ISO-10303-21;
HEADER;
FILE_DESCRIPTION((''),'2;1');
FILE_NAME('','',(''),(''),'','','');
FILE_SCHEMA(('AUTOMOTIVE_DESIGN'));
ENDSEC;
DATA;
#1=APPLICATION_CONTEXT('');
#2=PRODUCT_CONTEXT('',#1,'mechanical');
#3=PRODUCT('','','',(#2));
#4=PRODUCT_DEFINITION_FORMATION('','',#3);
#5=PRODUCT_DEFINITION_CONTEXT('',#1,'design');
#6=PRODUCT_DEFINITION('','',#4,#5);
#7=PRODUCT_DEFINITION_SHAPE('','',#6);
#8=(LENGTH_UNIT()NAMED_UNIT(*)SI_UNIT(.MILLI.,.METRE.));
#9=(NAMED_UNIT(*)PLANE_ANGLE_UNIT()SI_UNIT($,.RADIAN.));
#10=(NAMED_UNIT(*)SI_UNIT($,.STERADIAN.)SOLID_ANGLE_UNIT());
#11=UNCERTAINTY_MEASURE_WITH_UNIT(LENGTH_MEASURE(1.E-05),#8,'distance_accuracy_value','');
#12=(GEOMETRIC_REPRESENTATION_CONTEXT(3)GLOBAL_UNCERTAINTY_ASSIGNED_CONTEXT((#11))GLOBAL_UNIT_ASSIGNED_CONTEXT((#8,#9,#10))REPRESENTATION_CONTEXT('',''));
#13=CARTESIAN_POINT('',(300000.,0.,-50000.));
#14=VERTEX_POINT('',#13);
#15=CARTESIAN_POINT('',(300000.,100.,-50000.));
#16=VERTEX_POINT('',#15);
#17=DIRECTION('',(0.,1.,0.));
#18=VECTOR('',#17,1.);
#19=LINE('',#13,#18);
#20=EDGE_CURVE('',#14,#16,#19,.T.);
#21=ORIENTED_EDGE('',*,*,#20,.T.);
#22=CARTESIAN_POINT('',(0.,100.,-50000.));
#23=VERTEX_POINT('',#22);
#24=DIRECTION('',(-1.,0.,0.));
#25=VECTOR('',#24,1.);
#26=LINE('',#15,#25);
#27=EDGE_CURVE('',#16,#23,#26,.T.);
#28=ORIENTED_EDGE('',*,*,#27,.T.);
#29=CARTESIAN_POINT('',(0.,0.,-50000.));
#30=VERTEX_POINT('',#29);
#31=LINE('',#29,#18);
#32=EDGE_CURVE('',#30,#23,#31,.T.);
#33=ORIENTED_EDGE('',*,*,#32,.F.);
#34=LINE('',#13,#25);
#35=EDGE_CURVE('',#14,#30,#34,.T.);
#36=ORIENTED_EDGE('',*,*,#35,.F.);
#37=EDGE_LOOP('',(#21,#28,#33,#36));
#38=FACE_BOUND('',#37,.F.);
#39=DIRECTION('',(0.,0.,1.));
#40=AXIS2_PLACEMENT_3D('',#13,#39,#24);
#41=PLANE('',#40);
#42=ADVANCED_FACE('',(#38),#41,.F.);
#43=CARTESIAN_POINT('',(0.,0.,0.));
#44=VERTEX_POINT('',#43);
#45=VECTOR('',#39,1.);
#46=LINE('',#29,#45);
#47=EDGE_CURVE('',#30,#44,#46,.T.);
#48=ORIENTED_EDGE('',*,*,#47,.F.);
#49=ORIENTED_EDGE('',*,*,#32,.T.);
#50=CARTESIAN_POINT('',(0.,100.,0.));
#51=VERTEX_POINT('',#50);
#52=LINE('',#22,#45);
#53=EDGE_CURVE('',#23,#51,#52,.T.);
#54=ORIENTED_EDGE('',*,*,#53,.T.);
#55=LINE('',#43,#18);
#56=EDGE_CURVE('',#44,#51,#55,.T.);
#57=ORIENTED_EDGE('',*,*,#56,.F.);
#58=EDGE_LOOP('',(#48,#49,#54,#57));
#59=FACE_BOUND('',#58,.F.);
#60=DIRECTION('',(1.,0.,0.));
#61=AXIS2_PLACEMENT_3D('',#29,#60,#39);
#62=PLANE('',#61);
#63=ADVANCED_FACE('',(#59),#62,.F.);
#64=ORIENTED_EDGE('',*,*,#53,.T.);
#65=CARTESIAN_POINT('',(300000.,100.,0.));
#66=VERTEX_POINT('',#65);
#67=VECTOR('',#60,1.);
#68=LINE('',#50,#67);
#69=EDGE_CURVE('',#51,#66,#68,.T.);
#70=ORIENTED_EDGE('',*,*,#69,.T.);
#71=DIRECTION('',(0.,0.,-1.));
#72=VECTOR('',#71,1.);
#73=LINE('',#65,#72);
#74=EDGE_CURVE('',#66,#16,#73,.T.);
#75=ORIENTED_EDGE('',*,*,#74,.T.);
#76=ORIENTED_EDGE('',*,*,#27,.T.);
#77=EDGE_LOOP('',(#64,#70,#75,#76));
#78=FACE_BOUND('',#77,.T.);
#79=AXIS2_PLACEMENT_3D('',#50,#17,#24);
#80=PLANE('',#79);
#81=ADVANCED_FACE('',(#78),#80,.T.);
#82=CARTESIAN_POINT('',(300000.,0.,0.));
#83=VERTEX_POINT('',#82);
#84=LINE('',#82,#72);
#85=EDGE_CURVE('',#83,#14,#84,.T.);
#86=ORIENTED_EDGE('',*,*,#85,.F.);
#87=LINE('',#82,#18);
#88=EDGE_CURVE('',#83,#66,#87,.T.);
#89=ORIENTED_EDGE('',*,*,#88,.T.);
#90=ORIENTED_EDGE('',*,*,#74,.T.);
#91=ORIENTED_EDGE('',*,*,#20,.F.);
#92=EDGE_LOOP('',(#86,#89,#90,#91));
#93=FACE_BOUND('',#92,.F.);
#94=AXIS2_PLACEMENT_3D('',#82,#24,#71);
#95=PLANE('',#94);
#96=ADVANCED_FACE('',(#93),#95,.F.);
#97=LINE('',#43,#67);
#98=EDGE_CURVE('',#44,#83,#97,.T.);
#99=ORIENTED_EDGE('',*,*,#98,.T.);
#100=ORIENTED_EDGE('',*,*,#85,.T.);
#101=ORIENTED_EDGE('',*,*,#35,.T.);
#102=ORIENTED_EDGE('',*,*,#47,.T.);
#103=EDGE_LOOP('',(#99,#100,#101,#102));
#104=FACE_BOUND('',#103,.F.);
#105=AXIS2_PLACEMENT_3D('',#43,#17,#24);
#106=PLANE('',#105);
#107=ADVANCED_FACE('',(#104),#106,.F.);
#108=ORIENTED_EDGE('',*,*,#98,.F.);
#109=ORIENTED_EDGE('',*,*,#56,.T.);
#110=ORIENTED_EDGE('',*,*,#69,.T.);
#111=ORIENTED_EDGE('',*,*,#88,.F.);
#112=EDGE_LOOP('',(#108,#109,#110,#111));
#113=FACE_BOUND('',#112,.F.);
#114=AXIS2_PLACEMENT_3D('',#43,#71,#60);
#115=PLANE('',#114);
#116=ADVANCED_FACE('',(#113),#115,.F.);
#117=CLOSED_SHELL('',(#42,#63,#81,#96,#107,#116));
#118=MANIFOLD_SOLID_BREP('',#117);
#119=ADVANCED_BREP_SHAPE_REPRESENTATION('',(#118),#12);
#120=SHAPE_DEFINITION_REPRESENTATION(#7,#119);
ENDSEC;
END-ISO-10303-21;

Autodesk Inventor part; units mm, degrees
ref_plane "YZ Plane" through (0, 0, 0) normal (1, 0, 0) x (0, 1, 0)
ref_plane "XZ Plane" through (0, 0, 0) normal (0, 1, 0) x (-1, 0, 0)
ref_plane "XY Plane" through (0, 0, 0) normal (0, 0, 1) x (1, 0, 0)
sketch "Sketch1" plane through (0, 0, 0) normal (0, 1, 0) x (-1, 0, 0)
  line L0 (0, 0) -> (-300000, 0)
  line L1 (-300000, 0) -> (-300000, -50000)
  line L2 (-300000, -50000) -> (0, -50000)
  line L3 (0, -50000) -> (0, 0)
  dimension "d0" = 300000
  dimension "d1" = 50000
extrude "Extrusion1" add sketch "Sketch1" along normal blind 100
properties part number "Panel" material "Silicon Nitride"
